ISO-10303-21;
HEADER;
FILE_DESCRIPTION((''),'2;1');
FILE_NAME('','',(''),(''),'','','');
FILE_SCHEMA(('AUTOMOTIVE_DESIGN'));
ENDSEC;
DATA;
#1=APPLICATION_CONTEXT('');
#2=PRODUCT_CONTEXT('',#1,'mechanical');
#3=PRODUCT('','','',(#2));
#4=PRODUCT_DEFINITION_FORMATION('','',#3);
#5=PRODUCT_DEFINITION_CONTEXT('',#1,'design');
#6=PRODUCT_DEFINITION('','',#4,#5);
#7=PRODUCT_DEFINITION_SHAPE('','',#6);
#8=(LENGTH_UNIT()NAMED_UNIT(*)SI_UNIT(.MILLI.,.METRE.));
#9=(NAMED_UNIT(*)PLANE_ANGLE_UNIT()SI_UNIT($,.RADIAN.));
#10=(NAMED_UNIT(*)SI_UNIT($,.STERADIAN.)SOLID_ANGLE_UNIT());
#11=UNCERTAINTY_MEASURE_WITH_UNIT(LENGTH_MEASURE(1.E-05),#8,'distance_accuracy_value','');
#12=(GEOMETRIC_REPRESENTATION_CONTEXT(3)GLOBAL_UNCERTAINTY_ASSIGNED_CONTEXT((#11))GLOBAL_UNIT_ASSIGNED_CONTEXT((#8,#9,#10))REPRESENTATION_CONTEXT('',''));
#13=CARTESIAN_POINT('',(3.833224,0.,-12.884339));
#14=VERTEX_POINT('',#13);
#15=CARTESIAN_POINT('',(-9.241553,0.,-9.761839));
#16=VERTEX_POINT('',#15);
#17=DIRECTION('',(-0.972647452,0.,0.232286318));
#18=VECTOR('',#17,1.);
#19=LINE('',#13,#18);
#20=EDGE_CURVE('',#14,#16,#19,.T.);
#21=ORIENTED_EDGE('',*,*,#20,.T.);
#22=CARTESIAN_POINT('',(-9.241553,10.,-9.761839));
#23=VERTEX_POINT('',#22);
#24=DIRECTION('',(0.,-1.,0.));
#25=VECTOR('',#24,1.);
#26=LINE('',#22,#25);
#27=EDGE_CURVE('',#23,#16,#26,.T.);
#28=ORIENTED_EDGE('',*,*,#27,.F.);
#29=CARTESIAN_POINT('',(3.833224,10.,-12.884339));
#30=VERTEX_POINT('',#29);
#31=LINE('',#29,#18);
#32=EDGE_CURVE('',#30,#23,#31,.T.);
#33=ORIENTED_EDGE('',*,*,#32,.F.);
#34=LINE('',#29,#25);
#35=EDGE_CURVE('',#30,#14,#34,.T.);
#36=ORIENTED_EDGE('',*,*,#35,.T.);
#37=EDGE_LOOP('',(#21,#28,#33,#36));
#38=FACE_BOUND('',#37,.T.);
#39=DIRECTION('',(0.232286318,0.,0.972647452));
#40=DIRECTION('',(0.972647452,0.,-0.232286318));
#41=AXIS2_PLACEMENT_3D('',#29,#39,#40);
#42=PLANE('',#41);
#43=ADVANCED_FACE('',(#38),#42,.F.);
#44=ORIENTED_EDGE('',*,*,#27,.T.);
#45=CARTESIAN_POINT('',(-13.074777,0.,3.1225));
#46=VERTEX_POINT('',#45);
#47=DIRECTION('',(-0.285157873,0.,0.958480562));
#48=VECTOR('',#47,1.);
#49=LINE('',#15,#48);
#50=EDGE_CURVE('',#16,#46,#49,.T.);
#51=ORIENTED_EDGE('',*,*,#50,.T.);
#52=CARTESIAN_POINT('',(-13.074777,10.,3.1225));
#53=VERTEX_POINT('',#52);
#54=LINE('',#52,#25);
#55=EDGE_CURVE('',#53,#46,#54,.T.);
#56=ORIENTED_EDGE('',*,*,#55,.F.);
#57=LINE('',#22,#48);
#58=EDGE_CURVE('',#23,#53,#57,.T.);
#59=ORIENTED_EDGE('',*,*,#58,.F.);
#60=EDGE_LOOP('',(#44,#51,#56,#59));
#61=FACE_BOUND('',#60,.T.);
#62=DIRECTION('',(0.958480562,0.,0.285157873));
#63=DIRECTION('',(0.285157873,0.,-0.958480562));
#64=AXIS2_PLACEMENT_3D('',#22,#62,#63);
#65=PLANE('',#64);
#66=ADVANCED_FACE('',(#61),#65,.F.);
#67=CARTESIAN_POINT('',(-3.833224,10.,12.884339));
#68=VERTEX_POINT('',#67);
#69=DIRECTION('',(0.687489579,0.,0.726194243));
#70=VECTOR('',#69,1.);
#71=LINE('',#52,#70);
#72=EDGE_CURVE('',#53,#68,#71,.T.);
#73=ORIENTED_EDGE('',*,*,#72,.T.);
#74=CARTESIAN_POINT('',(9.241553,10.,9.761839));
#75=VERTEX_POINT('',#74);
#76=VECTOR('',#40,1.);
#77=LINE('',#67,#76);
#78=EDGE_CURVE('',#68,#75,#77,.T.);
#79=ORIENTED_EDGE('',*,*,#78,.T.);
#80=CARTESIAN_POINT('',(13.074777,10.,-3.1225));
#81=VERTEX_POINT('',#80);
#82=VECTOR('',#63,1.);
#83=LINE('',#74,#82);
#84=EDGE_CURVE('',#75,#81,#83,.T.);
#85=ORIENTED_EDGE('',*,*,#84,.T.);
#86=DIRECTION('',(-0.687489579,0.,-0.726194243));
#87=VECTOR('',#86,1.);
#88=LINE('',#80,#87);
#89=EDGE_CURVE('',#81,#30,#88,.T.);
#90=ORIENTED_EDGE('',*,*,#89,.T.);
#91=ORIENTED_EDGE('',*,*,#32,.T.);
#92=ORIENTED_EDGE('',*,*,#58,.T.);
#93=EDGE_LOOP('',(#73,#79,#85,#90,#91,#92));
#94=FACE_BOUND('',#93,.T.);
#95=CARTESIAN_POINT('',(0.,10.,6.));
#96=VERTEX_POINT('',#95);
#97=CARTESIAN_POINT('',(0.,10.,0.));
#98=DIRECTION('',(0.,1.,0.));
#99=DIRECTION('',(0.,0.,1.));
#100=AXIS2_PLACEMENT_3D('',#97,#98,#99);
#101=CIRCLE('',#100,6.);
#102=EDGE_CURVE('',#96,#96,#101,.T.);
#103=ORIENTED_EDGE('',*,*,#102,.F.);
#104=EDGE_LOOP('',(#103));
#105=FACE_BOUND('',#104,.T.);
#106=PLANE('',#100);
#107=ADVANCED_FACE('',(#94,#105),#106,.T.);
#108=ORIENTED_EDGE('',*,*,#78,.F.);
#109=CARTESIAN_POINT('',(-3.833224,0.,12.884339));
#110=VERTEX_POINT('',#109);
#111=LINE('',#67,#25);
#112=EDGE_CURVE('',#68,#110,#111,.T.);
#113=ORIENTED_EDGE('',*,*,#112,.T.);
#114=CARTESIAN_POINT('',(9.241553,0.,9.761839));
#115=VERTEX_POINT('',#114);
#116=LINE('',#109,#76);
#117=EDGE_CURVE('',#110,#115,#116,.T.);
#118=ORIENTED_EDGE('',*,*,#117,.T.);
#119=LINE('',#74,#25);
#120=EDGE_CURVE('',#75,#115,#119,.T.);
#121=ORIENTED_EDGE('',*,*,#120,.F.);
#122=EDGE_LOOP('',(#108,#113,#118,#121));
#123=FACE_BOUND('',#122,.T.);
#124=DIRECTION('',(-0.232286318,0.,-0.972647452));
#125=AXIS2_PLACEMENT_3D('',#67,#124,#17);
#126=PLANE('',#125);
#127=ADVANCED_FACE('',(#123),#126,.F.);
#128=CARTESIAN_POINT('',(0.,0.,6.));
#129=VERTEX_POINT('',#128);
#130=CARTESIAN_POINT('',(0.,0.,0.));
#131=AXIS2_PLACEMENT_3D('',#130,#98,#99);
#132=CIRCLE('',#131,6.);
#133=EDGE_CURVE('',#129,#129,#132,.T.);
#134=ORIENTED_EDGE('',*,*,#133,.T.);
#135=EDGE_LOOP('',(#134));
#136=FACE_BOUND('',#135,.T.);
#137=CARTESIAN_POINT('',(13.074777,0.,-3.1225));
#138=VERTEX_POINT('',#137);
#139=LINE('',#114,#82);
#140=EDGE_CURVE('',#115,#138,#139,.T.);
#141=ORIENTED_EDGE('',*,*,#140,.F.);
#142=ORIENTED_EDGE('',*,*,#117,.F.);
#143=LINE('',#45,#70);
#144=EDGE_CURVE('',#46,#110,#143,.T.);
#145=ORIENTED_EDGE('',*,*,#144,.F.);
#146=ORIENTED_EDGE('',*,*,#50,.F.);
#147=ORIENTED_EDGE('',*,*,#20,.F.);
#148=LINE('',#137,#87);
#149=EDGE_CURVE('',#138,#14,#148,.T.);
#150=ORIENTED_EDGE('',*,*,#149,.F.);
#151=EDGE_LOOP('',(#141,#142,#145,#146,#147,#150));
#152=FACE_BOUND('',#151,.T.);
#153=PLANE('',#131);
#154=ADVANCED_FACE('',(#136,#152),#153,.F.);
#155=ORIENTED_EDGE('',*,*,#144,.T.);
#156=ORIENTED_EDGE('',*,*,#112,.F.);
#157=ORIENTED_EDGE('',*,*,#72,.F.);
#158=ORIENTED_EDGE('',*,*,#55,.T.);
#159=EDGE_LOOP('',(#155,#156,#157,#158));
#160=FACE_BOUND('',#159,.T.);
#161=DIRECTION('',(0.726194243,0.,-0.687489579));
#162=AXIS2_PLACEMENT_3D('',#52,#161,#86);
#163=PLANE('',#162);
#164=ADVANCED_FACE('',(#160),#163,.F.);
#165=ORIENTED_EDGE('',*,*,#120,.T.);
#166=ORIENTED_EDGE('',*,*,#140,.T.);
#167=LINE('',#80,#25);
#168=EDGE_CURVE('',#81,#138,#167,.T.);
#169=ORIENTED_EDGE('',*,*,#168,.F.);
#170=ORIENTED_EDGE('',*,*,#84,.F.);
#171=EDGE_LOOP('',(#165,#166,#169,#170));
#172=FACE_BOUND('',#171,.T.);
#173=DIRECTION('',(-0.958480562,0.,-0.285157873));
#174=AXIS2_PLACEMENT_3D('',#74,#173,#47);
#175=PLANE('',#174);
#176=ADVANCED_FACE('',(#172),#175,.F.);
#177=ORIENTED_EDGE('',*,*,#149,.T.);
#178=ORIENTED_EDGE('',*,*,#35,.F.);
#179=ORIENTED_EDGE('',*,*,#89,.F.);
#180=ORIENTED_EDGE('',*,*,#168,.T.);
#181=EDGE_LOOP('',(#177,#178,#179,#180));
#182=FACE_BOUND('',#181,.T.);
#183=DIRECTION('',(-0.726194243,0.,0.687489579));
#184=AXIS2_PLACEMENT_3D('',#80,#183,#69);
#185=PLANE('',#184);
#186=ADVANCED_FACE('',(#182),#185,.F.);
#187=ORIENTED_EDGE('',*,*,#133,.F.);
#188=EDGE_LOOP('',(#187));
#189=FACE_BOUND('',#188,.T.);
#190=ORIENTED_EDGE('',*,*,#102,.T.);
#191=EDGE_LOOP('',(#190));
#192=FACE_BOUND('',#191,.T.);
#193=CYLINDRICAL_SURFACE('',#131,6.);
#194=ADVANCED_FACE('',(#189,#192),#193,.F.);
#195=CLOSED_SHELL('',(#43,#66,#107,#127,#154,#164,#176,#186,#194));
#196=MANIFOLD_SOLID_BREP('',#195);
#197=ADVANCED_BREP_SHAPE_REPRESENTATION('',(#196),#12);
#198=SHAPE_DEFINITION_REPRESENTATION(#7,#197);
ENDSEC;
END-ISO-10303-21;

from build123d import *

# Parameters (mm, degrees)
BOSS_EXTRUDE1_DEPTH = 10
SKETCH2_R           = 6
CUT_EXTRUDE1_DEPTH  = 11


with BuildPart() as part:
    # Sketch1 → Boss-Extrude1 (new body)
    with BuildSketch(Plane(origin=(0, 0, 0), x_dir=(1, 0, 0), z_dir=(0, 1, 0))):
        Polygon((9.241553159, -9.761839175), (13.074777293, 3.122500219), (3.833224133, 12.884339394), (-9.241553159, 9.761839175), (-13.074777293, -3.122500219), (-3.833224133, -12.884339394), align=None)
    extrude(amount=BOSS_EXTRUDE1_DEPTH)

    # Sketch2 → Cut-Extrude1 (cut, through all)
    with BuildSketch(Plane(origin=(0, 10, 0), x_dir=(1, 0, 0), z_dir=(0, 1, 0))):
        Circle(SKETCH2_R)
    extrude(amount=-CUT_EXTRUDE1_DEPTH, mode=Mode.SUBTRACT)


solid = part.part
